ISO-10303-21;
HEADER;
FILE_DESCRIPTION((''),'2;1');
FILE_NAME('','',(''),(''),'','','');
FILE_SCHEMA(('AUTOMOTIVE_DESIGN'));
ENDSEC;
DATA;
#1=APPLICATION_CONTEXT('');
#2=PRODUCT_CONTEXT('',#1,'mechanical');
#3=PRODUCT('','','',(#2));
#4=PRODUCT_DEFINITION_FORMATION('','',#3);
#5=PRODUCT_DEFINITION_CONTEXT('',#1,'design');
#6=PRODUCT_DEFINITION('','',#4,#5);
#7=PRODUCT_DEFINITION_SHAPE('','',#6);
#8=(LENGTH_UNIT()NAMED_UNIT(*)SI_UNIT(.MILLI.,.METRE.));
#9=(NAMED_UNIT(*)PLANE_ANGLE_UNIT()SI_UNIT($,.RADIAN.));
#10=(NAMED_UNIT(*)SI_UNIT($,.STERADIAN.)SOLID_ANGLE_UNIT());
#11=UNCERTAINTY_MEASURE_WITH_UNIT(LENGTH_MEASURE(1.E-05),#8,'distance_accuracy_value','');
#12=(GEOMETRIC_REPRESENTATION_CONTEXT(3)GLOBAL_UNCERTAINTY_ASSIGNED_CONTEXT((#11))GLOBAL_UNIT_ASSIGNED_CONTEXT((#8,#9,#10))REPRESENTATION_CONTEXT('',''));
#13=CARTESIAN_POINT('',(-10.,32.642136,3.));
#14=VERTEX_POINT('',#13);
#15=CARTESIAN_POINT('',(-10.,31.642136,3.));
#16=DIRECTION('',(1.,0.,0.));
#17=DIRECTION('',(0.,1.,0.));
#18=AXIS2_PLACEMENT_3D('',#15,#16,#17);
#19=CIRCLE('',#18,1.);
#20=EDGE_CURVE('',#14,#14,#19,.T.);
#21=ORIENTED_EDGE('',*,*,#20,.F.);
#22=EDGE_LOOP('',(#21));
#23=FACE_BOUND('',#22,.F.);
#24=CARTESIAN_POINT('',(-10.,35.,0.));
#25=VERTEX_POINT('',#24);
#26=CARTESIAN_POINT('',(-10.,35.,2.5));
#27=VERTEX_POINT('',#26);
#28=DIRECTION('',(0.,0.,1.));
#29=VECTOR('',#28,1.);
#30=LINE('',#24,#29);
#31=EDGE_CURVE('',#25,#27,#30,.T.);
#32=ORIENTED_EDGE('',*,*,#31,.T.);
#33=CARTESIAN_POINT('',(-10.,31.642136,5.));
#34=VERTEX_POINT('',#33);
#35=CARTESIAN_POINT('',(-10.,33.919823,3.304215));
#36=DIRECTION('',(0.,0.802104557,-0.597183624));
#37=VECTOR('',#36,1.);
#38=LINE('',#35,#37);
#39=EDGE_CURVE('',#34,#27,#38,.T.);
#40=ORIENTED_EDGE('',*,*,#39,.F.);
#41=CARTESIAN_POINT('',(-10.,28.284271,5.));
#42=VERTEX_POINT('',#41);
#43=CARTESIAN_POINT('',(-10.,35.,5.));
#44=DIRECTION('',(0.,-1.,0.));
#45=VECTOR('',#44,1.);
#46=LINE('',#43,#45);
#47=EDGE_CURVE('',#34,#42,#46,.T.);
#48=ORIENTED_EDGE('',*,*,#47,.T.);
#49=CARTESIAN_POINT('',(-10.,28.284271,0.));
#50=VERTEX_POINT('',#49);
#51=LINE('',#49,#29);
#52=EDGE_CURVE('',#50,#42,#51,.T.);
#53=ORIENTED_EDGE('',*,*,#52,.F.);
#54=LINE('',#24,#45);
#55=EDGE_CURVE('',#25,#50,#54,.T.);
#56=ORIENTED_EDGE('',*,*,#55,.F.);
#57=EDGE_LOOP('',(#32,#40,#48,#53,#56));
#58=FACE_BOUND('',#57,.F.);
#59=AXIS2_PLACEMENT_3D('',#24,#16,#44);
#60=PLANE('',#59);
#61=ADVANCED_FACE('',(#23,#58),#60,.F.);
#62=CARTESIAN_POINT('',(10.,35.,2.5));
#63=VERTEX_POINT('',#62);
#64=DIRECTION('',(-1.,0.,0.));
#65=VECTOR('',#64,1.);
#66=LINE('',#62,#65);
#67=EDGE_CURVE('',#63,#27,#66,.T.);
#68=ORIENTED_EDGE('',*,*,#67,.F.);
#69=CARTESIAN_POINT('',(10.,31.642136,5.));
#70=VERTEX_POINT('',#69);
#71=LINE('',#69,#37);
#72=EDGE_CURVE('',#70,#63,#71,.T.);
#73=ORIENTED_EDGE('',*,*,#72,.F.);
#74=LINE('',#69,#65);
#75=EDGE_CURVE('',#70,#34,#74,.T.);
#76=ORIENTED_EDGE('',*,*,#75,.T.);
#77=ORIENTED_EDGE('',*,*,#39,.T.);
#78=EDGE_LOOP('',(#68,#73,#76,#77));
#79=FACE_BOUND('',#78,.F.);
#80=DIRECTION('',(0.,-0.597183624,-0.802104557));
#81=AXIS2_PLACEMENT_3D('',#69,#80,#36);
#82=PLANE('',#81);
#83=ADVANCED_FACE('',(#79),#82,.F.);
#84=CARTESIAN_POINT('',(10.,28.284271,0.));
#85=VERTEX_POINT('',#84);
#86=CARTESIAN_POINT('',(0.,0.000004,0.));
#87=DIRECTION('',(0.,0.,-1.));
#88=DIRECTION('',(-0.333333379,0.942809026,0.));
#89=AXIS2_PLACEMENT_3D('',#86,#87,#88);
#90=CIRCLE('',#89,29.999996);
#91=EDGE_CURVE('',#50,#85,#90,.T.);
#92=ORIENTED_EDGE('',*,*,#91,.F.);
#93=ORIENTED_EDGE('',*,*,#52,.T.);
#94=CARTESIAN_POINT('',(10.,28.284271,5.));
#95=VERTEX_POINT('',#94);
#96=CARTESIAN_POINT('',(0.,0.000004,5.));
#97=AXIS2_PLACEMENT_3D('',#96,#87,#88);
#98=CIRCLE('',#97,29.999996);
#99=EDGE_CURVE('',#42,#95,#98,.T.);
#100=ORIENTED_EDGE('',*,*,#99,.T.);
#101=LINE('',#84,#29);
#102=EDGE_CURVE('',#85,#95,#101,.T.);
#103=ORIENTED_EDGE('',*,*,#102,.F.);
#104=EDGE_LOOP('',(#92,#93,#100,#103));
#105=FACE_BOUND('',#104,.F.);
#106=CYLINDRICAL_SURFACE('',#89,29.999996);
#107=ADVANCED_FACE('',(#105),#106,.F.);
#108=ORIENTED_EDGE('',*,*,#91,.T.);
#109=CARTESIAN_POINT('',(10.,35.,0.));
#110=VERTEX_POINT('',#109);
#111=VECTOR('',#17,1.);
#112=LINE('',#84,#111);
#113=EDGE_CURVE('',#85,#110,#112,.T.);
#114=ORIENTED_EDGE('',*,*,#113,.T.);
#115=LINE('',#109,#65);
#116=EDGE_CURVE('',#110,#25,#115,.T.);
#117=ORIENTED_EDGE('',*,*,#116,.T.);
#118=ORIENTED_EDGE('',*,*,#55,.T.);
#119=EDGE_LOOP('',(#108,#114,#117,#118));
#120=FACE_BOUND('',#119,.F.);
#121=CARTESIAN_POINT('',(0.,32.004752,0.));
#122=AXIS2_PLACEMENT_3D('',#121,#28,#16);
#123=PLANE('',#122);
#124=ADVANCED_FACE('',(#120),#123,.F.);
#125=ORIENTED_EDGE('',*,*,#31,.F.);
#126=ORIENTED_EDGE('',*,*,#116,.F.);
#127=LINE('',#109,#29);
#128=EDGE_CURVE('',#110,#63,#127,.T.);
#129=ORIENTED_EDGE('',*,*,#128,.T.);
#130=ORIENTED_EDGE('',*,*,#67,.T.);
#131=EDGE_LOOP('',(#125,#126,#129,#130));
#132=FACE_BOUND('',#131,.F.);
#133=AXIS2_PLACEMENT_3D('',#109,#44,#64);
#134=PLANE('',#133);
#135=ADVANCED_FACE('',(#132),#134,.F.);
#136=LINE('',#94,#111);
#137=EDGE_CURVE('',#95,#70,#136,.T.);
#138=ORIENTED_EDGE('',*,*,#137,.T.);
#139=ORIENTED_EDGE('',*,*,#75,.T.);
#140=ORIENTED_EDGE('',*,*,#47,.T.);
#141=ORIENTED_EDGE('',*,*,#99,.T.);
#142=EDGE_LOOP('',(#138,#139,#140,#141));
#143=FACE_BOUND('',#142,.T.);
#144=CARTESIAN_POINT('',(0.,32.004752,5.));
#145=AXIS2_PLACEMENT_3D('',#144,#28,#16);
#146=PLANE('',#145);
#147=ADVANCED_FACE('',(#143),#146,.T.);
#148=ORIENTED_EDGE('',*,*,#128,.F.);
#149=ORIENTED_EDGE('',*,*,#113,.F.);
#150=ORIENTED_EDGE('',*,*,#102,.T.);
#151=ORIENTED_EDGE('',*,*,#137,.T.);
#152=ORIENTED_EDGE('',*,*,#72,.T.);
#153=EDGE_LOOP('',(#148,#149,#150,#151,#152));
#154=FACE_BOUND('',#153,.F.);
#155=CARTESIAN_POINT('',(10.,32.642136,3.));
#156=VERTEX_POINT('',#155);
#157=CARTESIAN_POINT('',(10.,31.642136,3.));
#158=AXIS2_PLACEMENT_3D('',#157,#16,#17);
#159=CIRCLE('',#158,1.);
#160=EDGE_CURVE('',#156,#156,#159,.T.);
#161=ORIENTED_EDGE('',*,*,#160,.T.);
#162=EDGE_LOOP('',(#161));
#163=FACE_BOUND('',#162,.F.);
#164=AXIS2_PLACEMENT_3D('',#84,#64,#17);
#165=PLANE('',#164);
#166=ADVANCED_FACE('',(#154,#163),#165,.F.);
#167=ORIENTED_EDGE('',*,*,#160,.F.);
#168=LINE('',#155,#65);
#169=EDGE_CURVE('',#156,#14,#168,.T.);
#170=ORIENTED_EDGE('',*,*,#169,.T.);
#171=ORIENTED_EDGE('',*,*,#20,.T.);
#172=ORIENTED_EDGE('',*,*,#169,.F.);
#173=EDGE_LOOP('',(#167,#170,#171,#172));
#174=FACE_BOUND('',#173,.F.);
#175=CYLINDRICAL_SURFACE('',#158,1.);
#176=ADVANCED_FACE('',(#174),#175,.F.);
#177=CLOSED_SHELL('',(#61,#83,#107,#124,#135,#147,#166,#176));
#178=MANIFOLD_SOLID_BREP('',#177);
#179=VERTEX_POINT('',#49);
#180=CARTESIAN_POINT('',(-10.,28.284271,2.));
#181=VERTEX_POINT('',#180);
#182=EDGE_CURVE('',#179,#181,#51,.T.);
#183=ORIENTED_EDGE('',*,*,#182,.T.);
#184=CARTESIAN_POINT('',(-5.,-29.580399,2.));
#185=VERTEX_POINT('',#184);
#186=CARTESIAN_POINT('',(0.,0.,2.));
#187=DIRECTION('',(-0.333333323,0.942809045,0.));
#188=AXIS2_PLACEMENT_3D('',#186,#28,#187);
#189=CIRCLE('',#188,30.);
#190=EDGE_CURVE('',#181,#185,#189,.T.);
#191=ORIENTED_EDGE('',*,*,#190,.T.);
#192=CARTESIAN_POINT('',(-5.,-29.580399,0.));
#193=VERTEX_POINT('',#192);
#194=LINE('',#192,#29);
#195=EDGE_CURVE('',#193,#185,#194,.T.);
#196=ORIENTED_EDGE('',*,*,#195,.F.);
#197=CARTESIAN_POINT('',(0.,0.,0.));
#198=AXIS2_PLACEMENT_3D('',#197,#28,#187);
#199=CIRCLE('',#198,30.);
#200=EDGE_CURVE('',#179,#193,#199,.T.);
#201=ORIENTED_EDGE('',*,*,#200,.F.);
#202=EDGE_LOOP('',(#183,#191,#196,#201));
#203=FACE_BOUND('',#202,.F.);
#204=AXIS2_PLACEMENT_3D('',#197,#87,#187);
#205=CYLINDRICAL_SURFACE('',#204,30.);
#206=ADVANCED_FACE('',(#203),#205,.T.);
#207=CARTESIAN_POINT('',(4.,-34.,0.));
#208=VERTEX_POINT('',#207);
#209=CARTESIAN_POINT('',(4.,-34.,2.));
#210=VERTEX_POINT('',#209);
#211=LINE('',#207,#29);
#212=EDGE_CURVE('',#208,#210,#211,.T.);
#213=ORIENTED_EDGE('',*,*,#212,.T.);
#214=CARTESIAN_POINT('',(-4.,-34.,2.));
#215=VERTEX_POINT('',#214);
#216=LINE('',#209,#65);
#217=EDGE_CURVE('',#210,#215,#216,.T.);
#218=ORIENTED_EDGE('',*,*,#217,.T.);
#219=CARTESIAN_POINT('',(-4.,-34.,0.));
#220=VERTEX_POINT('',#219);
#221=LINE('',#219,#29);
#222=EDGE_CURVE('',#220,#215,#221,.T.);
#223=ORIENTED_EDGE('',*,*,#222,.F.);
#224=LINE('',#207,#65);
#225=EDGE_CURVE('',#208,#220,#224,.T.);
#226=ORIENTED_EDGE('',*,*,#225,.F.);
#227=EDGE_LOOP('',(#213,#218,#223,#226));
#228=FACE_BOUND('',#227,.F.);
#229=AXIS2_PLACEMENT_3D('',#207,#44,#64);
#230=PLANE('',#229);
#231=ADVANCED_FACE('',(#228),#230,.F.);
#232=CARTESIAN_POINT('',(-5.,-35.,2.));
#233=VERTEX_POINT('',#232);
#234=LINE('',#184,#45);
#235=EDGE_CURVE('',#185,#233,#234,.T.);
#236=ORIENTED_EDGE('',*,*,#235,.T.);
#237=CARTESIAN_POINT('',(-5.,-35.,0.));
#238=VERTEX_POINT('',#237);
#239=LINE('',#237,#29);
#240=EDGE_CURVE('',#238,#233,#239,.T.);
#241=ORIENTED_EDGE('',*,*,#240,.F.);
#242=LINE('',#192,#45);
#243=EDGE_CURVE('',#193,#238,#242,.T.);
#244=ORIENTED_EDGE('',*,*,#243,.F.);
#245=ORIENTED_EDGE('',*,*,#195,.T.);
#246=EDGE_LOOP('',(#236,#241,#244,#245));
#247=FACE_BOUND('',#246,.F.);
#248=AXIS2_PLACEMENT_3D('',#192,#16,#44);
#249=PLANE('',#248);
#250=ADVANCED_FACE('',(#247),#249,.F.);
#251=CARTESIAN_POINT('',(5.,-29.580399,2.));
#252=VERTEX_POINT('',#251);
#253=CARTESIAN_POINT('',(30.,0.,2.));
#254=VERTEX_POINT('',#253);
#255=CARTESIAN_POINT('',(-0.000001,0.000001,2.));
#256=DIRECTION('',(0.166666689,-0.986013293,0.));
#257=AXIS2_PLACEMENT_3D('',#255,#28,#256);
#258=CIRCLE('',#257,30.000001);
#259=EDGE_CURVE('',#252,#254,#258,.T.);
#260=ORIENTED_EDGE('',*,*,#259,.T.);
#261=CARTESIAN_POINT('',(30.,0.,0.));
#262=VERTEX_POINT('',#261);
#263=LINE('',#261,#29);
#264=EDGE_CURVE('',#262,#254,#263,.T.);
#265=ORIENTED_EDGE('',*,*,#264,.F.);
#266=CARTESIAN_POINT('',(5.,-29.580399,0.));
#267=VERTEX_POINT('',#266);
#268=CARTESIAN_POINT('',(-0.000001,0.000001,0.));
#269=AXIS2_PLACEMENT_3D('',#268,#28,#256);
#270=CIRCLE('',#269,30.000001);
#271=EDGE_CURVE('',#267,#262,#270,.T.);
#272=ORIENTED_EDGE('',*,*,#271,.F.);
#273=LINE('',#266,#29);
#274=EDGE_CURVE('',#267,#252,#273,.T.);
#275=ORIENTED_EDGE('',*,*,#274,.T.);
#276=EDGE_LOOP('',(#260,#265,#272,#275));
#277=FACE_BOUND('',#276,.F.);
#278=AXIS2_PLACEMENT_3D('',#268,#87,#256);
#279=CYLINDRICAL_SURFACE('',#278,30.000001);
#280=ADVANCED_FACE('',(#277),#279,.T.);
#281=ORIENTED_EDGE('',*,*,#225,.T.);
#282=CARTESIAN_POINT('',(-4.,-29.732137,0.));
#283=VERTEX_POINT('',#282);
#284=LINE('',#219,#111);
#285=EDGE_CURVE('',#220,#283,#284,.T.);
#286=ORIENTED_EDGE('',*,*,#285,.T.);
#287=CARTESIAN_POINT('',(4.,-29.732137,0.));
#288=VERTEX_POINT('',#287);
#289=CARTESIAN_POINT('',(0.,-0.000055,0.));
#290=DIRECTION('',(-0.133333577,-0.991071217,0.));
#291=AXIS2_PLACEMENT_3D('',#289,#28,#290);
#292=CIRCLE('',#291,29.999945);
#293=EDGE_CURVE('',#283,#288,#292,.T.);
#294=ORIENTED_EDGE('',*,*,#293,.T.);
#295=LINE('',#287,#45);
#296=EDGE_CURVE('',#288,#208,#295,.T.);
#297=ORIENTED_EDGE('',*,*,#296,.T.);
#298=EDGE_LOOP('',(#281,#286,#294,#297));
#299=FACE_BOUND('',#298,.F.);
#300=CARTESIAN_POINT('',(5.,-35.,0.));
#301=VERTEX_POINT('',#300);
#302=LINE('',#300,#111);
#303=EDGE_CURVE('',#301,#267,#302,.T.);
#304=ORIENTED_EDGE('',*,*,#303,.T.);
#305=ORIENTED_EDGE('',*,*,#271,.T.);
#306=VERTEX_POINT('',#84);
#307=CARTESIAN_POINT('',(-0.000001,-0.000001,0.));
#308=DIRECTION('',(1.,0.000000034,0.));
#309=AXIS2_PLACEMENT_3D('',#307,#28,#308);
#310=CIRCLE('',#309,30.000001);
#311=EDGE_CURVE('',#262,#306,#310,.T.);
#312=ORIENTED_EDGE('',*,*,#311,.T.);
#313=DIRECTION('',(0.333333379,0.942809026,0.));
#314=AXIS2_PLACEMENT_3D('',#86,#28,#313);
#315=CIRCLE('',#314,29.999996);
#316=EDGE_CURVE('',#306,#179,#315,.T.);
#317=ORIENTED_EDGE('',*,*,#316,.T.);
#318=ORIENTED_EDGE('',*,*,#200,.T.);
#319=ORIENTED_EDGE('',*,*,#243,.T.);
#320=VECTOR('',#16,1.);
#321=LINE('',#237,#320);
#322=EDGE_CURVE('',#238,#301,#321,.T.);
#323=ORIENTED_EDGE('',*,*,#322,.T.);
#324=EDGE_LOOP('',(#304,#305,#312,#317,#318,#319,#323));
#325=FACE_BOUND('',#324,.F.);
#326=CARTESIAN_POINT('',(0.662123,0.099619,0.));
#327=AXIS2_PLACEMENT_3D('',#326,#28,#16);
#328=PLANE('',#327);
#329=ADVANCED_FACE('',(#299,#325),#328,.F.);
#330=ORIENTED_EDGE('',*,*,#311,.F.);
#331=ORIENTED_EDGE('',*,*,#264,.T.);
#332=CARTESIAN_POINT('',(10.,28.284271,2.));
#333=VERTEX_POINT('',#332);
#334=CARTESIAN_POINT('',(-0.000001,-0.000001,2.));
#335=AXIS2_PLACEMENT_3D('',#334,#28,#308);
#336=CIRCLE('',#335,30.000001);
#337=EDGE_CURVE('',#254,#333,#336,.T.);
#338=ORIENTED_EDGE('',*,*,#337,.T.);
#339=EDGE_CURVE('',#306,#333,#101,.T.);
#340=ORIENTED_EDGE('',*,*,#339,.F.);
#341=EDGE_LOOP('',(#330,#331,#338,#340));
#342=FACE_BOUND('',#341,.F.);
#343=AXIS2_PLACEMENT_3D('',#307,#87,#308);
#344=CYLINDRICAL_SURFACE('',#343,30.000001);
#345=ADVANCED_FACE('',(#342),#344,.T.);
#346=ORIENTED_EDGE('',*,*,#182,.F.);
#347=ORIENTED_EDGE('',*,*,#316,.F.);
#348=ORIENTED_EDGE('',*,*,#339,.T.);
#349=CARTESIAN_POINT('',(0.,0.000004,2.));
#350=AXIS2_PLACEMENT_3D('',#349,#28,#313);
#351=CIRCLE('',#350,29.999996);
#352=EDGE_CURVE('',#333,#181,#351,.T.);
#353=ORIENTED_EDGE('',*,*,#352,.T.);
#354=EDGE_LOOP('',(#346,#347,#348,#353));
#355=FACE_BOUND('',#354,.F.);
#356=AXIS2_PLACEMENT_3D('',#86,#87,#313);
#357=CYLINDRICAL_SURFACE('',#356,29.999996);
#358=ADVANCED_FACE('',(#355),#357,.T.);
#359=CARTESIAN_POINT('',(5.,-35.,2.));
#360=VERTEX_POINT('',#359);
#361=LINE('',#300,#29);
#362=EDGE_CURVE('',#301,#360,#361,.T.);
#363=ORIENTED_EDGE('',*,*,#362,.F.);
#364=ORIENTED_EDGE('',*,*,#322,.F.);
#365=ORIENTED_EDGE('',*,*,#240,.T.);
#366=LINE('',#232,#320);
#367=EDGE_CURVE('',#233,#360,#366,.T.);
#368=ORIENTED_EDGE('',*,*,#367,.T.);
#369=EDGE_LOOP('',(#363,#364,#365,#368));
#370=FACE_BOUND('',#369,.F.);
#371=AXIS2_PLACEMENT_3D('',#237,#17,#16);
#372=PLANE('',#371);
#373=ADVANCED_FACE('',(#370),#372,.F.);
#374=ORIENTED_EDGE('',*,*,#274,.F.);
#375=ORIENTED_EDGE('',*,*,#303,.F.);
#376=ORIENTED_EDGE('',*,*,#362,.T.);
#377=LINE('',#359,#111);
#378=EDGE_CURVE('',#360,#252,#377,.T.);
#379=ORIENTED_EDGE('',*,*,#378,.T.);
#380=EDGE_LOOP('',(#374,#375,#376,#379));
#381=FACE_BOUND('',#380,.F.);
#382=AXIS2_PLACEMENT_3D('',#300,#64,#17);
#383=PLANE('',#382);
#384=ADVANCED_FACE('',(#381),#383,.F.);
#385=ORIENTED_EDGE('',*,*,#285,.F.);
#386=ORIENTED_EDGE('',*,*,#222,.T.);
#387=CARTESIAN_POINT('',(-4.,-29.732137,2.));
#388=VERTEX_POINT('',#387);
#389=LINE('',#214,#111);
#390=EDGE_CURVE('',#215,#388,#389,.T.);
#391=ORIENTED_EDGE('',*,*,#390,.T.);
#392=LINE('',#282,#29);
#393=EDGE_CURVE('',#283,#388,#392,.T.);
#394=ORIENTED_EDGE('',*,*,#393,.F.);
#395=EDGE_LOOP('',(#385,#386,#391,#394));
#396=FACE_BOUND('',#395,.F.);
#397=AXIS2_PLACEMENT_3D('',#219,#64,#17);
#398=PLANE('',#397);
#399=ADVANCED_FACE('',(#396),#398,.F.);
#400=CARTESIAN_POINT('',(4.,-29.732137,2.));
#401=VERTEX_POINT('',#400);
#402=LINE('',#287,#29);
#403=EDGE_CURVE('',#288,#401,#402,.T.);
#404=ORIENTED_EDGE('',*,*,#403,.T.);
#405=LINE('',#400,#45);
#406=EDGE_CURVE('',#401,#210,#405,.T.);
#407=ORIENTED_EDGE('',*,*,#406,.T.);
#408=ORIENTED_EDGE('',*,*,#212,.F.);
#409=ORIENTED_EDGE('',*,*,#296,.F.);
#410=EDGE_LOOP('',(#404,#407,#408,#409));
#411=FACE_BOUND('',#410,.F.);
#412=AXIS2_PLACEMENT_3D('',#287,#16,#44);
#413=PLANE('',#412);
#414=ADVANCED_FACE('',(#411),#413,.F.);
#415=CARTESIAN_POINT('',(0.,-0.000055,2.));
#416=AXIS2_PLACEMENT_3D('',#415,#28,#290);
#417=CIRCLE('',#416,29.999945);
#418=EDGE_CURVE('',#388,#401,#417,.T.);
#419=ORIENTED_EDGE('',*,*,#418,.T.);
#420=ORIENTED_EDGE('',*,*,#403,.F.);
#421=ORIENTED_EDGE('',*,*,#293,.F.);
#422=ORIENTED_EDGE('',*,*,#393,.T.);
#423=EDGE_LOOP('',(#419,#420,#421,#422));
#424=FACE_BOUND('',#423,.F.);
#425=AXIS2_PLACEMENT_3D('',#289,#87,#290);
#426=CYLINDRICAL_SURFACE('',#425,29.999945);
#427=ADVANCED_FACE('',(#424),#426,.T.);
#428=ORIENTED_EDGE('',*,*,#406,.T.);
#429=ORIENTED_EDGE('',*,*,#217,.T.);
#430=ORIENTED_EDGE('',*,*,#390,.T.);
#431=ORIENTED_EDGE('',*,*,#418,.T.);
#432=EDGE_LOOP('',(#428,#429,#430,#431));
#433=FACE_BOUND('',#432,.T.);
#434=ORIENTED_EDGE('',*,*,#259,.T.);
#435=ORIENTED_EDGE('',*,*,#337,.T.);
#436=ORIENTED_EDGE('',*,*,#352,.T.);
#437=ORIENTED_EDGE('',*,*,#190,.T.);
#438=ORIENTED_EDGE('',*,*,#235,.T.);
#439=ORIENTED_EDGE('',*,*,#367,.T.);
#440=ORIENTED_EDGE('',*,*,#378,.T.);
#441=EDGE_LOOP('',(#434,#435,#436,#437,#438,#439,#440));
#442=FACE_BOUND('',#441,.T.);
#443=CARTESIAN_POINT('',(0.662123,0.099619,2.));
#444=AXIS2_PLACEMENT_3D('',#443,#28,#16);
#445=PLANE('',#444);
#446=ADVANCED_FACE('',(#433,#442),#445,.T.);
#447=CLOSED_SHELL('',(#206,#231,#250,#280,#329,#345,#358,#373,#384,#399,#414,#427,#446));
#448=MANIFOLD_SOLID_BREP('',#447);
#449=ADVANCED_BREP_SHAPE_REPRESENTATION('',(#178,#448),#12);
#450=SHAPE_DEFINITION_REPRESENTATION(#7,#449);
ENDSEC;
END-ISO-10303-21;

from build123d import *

# Parameters (mm, degrees)
F1_DEPTH = 2
F2_DEPTH = 5
F3_R     = 1
F4_DEPTH = 40.001


with BuildPart() as f1:
    # F0 (on Top) → F1 (new body)
    with BuildSketch(Plane.XY):
        with BuildLine():
            ThreePointArc((5, -29.580399), (22.912878, -19.364917), (30, 0))
            ThreePointArc((30, 0), (24.494897, 17.320508), (10, 28.284271))
            ThreePointArc((10, 28.284271), (0, 30), (-10, 28.284271))
            ThreePointArc((-10, 28.284271), (-29.888627, -2.582632), (-5, -29.580399))
            ThreePointArc((-5, -29.580399), (-4.50064, -29.660483), (-4, -29.732137))
            ThreePointArc((-4, -29.732137), (0, -30), (4, -29.732137))
            ThreePointArc((4, -29.732137), (4.50064, -29.660483), (5, -29.580399))
        make_face()
        with BuildLine():
            Line((5, -35), (5, -29.580399))
            ThreePointArc((5, -29.580399), (4.50064, -29.660483), (4, -29.732137))
            Line((4, -29.732137), (4, -34))
            Line((4, -34), (-4, -34))
            Line((-4, -34), (-4, -29.732137))
            ThreePointArc((-4, -29.732137), (-4.50064, -29.660483), (-5, -29.580399))
            Line((-5, -29.580399), (-5, -35))
            Line((-5, -35), (5, -35))
        make_face()
    extrude(amount=F1_DEPTH)


with BuildPart() as f2:
    # F0 (on Top) → F2 (new body)
    with BuildSketch(Plane.XY):
        with BuildLine():
            ThreePointArc((-10, 28.284271), (0, 30), (10, 28.284271))
            Line((10, 28.284271), (10, 35))
            Line((10, 35), (-10, 35))
            Line((-10, 35), (-10, 28.284271))
        make_face()
    extrude(amount=F2_DEPTH)

    # F3 (on face) → F4 (cut, through all)
    with BuildSketch(Plane.YZ.offset(10)):
        Polygon((31.642136, 5), (35, 2.5), (35, 5), align=None)
        with Locations((31.642136, 3)):
            Circle(F3_R)
    extrude(amount=-F4_DEPTH, mode=Mode.SUBTRACT)


solid = Compound([f1.part, f2.part])
